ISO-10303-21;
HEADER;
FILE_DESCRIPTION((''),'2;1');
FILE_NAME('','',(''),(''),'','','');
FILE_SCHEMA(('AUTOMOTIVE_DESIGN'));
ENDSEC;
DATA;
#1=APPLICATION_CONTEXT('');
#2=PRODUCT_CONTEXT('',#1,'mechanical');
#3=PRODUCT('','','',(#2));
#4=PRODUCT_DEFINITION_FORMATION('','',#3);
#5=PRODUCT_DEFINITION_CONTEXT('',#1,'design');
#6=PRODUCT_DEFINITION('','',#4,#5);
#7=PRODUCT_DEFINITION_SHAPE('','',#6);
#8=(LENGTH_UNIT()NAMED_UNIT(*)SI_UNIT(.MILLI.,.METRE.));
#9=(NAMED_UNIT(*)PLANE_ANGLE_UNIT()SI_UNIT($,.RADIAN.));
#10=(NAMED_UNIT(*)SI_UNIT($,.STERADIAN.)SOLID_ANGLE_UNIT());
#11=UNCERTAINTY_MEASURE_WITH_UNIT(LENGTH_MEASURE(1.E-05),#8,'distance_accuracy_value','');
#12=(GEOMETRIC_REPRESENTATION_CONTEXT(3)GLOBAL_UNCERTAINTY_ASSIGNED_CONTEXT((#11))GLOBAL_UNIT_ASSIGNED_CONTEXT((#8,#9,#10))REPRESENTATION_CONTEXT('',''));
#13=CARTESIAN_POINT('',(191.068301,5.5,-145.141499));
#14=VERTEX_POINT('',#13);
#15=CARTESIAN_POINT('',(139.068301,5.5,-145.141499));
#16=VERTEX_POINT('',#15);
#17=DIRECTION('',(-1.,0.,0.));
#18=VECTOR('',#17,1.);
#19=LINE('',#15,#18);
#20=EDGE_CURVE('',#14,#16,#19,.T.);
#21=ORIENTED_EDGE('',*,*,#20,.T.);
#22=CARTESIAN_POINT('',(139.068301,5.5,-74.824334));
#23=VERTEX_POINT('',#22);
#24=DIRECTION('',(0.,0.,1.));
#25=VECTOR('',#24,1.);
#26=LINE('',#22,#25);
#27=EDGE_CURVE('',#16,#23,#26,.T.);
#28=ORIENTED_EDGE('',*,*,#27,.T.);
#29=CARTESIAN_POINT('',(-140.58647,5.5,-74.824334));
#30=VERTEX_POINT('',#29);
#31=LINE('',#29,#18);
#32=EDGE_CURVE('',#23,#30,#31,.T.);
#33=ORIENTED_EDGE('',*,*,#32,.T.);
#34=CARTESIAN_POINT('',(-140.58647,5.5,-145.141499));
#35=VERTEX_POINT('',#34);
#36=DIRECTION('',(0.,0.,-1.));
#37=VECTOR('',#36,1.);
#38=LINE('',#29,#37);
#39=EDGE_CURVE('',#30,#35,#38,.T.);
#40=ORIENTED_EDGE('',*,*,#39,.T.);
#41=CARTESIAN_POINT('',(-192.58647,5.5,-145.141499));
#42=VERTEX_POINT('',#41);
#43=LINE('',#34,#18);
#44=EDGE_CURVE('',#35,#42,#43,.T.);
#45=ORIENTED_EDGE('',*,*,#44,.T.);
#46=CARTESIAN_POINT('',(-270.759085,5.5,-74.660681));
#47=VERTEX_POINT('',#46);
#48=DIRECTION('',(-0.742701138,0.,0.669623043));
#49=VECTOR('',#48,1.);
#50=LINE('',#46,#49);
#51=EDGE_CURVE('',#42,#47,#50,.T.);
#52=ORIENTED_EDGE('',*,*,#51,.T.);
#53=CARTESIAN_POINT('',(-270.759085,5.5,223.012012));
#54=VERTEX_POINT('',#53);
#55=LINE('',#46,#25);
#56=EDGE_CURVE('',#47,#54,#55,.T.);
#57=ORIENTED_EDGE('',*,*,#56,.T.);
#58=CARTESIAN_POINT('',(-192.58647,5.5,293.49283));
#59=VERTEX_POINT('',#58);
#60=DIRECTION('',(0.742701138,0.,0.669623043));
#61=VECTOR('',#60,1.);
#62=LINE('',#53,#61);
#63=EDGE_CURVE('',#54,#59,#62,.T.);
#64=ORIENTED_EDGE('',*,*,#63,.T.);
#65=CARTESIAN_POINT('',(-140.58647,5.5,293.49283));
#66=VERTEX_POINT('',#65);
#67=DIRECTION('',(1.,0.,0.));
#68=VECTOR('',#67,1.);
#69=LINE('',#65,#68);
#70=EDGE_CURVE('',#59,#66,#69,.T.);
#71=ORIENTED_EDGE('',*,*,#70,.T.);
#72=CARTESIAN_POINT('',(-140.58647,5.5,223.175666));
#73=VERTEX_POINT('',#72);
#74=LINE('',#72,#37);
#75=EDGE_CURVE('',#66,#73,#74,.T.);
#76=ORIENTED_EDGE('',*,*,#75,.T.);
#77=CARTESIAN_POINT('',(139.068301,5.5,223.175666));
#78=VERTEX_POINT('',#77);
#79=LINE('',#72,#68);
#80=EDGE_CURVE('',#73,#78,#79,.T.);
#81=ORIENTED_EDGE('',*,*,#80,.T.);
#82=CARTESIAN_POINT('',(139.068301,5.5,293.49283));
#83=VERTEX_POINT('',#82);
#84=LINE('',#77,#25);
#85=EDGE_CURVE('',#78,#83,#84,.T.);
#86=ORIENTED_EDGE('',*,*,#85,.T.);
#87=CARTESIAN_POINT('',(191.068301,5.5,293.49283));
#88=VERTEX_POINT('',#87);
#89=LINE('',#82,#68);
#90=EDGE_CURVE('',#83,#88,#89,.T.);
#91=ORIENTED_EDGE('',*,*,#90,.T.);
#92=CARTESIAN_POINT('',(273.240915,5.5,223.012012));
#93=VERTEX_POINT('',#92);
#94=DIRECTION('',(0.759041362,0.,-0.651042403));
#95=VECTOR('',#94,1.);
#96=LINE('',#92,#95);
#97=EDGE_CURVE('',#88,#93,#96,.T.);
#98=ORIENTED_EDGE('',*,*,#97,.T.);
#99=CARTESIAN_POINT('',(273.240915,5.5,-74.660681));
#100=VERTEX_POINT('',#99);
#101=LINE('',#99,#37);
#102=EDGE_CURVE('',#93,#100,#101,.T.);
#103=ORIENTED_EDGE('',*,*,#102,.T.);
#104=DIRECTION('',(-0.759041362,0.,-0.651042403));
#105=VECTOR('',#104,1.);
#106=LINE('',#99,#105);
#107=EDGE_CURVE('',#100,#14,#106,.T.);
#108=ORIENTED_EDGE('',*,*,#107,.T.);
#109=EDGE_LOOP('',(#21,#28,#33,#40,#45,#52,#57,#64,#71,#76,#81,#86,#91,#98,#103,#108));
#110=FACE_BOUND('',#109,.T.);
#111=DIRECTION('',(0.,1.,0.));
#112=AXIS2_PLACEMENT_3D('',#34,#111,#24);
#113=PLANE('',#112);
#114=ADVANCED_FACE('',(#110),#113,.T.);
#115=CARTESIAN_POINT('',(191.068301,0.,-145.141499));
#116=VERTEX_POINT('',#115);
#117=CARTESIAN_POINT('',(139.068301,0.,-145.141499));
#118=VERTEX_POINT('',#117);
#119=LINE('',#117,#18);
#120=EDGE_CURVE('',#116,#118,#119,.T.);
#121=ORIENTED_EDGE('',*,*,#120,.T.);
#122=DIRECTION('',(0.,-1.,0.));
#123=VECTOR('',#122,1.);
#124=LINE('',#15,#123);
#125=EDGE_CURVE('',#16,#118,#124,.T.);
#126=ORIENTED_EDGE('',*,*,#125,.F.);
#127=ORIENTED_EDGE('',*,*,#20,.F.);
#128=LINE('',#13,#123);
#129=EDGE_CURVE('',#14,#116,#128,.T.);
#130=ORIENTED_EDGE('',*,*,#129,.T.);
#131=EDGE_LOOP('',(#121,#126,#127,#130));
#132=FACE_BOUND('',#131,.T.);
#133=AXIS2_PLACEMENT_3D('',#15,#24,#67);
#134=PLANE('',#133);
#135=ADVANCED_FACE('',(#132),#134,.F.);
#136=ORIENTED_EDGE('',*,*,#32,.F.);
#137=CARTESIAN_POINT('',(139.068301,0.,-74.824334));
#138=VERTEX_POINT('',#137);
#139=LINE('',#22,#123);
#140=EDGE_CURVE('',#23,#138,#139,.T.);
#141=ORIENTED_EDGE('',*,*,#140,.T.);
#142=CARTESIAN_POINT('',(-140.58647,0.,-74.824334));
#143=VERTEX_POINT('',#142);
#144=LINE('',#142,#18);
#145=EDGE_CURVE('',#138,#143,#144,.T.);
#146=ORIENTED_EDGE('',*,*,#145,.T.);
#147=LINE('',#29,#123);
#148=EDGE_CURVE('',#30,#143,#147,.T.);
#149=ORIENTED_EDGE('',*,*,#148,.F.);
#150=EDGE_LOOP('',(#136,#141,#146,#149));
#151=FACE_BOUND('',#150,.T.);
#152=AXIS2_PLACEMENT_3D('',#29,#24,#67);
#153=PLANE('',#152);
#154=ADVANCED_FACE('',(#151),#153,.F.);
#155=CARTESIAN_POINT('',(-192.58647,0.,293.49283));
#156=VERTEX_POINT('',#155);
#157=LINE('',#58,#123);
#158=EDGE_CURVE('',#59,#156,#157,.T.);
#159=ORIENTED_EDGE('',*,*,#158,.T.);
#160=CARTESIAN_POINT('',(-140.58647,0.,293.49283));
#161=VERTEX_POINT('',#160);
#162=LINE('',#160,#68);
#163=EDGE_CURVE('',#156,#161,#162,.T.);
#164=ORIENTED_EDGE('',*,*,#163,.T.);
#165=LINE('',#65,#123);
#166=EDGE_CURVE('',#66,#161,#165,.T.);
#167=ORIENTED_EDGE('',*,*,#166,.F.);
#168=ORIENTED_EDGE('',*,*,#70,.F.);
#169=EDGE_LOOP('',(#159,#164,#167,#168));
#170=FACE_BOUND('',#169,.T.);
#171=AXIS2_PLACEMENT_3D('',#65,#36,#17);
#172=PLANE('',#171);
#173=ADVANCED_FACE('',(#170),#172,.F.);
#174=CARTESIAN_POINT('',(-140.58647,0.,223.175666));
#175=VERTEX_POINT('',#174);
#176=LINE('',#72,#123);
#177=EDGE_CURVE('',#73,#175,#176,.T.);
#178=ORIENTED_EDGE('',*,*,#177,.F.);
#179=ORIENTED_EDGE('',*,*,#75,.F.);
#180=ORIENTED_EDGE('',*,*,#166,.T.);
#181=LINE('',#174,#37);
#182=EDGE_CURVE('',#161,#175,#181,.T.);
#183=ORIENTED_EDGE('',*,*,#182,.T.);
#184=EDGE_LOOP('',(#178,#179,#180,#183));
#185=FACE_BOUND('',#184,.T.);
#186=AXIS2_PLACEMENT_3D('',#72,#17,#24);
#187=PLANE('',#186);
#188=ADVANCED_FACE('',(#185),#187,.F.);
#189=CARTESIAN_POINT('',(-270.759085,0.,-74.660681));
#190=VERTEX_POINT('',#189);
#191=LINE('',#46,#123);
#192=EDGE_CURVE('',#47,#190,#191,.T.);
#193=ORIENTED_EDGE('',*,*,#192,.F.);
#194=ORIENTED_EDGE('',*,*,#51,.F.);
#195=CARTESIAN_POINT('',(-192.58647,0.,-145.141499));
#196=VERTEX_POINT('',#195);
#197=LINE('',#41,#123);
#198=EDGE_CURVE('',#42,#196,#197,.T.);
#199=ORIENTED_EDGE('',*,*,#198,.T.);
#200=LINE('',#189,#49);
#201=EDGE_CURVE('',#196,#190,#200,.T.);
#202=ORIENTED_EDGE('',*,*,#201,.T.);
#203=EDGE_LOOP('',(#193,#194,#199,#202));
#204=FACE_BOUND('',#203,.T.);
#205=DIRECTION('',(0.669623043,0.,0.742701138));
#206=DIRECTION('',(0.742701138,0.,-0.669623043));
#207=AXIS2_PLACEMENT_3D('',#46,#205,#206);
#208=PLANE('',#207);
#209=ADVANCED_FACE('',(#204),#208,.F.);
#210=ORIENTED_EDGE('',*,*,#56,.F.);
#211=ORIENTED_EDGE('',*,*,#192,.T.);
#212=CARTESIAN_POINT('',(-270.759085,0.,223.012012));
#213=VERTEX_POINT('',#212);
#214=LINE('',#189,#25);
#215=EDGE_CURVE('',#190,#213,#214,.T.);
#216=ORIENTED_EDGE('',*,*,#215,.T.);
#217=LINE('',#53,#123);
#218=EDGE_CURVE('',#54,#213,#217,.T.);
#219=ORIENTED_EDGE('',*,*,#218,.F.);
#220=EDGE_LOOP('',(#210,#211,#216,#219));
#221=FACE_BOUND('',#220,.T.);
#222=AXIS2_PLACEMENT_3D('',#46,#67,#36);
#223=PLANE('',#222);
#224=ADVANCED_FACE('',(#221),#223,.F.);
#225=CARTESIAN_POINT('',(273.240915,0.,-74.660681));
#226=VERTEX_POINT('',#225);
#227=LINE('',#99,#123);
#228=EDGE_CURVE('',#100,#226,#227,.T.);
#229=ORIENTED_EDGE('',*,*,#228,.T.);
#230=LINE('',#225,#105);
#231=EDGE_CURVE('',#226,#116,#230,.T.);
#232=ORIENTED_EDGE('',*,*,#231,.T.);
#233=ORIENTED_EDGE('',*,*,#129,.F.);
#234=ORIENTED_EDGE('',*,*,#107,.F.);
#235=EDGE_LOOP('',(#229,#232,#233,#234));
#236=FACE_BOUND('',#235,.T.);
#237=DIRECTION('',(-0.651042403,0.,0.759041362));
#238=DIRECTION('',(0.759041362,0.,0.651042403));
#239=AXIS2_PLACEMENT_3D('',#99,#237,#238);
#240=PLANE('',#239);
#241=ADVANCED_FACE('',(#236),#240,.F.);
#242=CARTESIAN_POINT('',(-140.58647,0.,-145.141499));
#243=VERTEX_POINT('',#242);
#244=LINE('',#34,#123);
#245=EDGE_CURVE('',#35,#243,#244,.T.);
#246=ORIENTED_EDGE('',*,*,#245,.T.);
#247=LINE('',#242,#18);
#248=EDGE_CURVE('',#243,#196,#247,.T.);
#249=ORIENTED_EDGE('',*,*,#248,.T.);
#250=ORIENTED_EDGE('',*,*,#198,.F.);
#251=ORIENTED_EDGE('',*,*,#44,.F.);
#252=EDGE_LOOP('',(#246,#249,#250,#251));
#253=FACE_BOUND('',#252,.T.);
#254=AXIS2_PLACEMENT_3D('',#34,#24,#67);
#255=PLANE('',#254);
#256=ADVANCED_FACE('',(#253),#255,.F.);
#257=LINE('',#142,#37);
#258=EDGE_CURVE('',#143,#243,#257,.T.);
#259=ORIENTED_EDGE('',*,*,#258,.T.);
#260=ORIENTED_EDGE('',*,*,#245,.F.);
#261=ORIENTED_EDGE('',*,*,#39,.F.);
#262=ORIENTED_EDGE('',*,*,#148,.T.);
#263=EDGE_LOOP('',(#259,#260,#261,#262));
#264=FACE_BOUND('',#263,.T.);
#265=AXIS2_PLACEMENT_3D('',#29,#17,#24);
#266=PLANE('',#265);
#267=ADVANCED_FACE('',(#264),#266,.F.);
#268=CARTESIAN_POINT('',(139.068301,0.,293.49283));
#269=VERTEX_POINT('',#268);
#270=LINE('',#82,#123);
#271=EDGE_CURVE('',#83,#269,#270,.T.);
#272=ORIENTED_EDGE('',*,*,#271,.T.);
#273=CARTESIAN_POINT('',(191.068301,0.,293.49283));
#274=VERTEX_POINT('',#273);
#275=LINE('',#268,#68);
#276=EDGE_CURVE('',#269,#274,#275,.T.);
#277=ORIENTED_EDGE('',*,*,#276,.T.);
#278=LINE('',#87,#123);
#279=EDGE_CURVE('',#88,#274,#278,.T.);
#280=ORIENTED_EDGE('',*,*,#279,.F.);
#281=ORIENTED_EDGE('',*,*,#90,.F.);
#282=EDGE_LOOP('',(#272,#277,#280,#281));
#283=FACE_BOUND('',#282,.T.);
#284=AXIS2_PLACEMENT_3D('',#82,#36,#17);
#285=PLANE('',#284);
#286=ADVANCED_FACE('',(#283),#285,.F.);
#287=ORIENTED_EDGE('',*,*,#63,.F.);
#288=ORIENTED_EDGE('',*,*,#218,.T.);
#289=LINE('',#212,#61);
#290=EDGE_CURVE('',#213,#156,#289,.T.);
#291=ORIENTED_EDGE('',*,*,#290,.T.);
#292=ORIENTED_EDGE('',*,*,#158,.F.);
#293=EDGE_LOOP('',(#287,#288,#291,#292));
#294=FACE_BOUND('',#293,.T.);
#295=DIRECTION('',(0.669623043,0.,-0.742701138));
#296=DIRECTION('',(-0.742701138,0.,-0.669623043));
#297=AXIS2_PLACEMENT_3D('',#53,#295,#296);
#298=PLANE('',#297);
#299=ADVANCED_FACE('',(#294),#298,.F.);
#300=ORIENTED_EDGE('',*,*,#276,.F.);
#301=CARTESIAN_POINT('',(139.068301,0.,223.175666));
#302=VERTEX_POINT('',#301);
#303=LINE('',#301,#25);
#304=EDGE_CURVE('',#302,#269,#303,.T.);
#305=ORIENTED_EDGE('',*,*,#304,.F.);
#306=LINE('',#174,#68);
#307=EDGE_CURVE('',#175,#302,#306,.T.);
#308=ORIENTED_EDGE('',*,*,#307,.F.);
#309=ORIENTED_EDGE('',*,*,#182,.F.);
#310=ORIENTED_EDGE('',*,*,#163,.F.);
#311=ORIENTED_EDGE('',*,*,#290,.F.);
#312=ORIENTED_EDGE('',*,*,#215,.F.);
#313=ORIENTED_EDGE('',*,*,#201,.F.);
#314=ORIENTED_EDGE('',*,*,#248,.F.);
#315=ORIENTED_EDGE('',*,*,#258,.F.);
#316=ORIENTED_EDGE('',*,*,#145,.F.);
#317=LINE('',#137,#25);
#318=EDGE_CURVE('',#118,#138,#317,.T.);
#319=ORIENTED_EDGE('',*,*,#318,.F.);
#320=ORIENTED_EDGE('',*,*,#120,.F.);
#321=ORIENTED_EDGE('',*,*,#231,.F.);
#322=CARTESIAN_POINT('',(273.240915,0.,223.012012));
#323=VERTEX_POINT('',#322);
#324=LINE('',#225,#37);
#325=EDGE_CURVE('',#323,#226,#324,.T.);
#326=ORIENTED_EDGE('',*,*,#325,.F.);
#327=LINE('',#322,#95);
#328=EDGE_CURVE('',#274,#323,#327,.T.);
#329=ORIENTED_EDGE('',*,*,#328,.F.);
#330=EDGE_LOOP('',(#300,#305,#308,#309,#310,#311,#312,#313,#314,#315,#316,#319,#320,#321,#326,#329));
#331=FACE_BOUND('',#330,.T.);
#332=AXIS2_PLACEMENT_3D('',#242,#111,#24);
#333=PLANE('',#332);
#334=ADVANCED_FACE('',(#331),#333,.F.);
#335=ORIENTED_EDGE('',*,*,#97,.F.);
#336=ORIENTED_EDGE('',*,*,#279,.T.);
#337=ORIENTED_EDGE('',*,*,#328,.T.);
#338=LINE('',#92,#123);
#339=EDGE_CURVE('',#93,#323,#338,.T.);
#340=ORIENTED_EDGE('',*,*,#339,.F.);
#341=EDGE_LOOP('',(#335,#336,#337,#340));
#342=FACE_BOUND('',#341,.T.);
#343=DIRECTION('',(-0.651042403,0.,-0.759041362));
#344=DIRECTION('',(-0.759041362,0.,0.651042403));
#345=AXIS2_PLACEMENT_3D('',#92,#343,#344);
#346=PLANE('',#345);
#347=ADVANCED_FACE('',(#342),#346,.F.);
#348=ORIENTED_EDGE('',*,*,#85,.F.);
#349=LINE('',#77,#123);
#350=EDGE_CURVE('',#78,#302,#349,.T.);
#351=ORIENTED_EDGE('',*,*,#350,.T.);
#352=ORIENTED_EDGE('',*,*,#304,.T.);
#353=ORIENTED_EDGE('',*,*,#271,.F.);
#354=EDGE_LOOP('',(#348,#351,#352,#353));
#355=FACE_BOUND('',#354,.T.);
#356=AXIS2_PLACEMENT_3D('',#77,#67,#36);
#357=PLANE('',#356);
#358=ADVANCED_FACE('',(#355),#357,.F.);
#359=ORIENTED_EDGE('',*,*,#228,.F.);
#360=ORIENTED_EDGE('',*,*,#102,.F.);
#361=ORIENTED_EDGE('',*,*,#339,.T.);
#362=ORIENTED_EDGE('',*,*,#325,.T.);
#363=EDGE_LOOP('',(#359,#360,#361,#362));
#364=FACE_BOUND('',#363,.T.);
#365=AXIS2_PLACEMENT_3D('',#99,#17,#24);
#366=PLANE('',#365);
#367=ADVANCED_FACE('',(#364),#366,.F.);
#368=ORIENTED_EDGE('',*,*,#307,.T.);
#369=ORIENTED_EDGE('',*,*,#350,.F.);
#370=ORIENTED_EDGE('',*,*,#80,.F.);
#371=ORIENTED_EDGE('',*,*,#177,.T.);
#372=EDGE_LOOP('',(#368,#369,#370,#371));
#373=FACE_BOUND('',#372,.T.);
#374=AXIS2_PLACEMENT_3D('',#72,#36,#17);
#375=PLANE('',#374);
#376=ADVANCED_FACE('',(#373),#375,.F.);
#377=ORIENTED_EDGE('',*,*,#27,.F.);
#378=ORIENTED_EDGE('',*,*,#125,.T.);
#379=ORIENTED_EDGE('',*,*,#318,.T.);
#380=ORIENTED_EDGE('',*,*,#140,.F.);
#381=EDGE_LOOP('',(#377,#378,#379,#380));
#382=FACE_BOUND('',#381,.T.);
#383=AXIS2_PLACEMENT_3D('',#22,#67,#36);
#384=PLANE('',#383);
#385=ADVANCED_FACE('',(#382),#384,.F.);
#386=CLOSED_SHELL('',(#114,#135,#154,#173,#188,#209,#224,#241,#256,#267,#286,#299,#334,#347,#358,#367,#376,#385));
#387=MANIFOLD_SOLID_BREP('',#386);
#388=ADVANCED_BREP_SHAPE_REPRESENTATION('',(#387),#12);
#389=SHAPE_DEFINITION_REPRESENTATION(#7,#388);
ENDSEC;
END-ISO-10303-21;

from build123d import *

# Parameters (mm, degrees)
EXTRUDE_1_DEPTH = 5.5


with BuildPart() as part:
    # Эскиз1 → Вытянуть1 (new body)
    with BuildSketch(Plane(origin=(0, 0, 0), x_dir=(1, 0, 0), z_dir=(0, 1, 0))):
        Polygon((-270.759084503, 74.660680838), (-270.759084503, -223.012011978), (-192.586469874, -293.492830448), (-140.586469874, -293.492830448), (-140.586469874, -223.17566557), (139.068300868, -223.17566557), (139.068300868, -293.492830448), (191.068300868, -293.492830448), (273.240915497, -223.012011978), (273.240915497, 74.660680838), (191.068300868, 145.141499308), (139.068300868, 145.141499308), (139.068300868, 74.82433443), (-140.586469874, 74.82433443), (-140.586469874, 145.141499308), (-192.586469874, 145.141499308), align=None)
    extrude(amount=EXTRUDE_1_DEPTH)


solid = part.part
